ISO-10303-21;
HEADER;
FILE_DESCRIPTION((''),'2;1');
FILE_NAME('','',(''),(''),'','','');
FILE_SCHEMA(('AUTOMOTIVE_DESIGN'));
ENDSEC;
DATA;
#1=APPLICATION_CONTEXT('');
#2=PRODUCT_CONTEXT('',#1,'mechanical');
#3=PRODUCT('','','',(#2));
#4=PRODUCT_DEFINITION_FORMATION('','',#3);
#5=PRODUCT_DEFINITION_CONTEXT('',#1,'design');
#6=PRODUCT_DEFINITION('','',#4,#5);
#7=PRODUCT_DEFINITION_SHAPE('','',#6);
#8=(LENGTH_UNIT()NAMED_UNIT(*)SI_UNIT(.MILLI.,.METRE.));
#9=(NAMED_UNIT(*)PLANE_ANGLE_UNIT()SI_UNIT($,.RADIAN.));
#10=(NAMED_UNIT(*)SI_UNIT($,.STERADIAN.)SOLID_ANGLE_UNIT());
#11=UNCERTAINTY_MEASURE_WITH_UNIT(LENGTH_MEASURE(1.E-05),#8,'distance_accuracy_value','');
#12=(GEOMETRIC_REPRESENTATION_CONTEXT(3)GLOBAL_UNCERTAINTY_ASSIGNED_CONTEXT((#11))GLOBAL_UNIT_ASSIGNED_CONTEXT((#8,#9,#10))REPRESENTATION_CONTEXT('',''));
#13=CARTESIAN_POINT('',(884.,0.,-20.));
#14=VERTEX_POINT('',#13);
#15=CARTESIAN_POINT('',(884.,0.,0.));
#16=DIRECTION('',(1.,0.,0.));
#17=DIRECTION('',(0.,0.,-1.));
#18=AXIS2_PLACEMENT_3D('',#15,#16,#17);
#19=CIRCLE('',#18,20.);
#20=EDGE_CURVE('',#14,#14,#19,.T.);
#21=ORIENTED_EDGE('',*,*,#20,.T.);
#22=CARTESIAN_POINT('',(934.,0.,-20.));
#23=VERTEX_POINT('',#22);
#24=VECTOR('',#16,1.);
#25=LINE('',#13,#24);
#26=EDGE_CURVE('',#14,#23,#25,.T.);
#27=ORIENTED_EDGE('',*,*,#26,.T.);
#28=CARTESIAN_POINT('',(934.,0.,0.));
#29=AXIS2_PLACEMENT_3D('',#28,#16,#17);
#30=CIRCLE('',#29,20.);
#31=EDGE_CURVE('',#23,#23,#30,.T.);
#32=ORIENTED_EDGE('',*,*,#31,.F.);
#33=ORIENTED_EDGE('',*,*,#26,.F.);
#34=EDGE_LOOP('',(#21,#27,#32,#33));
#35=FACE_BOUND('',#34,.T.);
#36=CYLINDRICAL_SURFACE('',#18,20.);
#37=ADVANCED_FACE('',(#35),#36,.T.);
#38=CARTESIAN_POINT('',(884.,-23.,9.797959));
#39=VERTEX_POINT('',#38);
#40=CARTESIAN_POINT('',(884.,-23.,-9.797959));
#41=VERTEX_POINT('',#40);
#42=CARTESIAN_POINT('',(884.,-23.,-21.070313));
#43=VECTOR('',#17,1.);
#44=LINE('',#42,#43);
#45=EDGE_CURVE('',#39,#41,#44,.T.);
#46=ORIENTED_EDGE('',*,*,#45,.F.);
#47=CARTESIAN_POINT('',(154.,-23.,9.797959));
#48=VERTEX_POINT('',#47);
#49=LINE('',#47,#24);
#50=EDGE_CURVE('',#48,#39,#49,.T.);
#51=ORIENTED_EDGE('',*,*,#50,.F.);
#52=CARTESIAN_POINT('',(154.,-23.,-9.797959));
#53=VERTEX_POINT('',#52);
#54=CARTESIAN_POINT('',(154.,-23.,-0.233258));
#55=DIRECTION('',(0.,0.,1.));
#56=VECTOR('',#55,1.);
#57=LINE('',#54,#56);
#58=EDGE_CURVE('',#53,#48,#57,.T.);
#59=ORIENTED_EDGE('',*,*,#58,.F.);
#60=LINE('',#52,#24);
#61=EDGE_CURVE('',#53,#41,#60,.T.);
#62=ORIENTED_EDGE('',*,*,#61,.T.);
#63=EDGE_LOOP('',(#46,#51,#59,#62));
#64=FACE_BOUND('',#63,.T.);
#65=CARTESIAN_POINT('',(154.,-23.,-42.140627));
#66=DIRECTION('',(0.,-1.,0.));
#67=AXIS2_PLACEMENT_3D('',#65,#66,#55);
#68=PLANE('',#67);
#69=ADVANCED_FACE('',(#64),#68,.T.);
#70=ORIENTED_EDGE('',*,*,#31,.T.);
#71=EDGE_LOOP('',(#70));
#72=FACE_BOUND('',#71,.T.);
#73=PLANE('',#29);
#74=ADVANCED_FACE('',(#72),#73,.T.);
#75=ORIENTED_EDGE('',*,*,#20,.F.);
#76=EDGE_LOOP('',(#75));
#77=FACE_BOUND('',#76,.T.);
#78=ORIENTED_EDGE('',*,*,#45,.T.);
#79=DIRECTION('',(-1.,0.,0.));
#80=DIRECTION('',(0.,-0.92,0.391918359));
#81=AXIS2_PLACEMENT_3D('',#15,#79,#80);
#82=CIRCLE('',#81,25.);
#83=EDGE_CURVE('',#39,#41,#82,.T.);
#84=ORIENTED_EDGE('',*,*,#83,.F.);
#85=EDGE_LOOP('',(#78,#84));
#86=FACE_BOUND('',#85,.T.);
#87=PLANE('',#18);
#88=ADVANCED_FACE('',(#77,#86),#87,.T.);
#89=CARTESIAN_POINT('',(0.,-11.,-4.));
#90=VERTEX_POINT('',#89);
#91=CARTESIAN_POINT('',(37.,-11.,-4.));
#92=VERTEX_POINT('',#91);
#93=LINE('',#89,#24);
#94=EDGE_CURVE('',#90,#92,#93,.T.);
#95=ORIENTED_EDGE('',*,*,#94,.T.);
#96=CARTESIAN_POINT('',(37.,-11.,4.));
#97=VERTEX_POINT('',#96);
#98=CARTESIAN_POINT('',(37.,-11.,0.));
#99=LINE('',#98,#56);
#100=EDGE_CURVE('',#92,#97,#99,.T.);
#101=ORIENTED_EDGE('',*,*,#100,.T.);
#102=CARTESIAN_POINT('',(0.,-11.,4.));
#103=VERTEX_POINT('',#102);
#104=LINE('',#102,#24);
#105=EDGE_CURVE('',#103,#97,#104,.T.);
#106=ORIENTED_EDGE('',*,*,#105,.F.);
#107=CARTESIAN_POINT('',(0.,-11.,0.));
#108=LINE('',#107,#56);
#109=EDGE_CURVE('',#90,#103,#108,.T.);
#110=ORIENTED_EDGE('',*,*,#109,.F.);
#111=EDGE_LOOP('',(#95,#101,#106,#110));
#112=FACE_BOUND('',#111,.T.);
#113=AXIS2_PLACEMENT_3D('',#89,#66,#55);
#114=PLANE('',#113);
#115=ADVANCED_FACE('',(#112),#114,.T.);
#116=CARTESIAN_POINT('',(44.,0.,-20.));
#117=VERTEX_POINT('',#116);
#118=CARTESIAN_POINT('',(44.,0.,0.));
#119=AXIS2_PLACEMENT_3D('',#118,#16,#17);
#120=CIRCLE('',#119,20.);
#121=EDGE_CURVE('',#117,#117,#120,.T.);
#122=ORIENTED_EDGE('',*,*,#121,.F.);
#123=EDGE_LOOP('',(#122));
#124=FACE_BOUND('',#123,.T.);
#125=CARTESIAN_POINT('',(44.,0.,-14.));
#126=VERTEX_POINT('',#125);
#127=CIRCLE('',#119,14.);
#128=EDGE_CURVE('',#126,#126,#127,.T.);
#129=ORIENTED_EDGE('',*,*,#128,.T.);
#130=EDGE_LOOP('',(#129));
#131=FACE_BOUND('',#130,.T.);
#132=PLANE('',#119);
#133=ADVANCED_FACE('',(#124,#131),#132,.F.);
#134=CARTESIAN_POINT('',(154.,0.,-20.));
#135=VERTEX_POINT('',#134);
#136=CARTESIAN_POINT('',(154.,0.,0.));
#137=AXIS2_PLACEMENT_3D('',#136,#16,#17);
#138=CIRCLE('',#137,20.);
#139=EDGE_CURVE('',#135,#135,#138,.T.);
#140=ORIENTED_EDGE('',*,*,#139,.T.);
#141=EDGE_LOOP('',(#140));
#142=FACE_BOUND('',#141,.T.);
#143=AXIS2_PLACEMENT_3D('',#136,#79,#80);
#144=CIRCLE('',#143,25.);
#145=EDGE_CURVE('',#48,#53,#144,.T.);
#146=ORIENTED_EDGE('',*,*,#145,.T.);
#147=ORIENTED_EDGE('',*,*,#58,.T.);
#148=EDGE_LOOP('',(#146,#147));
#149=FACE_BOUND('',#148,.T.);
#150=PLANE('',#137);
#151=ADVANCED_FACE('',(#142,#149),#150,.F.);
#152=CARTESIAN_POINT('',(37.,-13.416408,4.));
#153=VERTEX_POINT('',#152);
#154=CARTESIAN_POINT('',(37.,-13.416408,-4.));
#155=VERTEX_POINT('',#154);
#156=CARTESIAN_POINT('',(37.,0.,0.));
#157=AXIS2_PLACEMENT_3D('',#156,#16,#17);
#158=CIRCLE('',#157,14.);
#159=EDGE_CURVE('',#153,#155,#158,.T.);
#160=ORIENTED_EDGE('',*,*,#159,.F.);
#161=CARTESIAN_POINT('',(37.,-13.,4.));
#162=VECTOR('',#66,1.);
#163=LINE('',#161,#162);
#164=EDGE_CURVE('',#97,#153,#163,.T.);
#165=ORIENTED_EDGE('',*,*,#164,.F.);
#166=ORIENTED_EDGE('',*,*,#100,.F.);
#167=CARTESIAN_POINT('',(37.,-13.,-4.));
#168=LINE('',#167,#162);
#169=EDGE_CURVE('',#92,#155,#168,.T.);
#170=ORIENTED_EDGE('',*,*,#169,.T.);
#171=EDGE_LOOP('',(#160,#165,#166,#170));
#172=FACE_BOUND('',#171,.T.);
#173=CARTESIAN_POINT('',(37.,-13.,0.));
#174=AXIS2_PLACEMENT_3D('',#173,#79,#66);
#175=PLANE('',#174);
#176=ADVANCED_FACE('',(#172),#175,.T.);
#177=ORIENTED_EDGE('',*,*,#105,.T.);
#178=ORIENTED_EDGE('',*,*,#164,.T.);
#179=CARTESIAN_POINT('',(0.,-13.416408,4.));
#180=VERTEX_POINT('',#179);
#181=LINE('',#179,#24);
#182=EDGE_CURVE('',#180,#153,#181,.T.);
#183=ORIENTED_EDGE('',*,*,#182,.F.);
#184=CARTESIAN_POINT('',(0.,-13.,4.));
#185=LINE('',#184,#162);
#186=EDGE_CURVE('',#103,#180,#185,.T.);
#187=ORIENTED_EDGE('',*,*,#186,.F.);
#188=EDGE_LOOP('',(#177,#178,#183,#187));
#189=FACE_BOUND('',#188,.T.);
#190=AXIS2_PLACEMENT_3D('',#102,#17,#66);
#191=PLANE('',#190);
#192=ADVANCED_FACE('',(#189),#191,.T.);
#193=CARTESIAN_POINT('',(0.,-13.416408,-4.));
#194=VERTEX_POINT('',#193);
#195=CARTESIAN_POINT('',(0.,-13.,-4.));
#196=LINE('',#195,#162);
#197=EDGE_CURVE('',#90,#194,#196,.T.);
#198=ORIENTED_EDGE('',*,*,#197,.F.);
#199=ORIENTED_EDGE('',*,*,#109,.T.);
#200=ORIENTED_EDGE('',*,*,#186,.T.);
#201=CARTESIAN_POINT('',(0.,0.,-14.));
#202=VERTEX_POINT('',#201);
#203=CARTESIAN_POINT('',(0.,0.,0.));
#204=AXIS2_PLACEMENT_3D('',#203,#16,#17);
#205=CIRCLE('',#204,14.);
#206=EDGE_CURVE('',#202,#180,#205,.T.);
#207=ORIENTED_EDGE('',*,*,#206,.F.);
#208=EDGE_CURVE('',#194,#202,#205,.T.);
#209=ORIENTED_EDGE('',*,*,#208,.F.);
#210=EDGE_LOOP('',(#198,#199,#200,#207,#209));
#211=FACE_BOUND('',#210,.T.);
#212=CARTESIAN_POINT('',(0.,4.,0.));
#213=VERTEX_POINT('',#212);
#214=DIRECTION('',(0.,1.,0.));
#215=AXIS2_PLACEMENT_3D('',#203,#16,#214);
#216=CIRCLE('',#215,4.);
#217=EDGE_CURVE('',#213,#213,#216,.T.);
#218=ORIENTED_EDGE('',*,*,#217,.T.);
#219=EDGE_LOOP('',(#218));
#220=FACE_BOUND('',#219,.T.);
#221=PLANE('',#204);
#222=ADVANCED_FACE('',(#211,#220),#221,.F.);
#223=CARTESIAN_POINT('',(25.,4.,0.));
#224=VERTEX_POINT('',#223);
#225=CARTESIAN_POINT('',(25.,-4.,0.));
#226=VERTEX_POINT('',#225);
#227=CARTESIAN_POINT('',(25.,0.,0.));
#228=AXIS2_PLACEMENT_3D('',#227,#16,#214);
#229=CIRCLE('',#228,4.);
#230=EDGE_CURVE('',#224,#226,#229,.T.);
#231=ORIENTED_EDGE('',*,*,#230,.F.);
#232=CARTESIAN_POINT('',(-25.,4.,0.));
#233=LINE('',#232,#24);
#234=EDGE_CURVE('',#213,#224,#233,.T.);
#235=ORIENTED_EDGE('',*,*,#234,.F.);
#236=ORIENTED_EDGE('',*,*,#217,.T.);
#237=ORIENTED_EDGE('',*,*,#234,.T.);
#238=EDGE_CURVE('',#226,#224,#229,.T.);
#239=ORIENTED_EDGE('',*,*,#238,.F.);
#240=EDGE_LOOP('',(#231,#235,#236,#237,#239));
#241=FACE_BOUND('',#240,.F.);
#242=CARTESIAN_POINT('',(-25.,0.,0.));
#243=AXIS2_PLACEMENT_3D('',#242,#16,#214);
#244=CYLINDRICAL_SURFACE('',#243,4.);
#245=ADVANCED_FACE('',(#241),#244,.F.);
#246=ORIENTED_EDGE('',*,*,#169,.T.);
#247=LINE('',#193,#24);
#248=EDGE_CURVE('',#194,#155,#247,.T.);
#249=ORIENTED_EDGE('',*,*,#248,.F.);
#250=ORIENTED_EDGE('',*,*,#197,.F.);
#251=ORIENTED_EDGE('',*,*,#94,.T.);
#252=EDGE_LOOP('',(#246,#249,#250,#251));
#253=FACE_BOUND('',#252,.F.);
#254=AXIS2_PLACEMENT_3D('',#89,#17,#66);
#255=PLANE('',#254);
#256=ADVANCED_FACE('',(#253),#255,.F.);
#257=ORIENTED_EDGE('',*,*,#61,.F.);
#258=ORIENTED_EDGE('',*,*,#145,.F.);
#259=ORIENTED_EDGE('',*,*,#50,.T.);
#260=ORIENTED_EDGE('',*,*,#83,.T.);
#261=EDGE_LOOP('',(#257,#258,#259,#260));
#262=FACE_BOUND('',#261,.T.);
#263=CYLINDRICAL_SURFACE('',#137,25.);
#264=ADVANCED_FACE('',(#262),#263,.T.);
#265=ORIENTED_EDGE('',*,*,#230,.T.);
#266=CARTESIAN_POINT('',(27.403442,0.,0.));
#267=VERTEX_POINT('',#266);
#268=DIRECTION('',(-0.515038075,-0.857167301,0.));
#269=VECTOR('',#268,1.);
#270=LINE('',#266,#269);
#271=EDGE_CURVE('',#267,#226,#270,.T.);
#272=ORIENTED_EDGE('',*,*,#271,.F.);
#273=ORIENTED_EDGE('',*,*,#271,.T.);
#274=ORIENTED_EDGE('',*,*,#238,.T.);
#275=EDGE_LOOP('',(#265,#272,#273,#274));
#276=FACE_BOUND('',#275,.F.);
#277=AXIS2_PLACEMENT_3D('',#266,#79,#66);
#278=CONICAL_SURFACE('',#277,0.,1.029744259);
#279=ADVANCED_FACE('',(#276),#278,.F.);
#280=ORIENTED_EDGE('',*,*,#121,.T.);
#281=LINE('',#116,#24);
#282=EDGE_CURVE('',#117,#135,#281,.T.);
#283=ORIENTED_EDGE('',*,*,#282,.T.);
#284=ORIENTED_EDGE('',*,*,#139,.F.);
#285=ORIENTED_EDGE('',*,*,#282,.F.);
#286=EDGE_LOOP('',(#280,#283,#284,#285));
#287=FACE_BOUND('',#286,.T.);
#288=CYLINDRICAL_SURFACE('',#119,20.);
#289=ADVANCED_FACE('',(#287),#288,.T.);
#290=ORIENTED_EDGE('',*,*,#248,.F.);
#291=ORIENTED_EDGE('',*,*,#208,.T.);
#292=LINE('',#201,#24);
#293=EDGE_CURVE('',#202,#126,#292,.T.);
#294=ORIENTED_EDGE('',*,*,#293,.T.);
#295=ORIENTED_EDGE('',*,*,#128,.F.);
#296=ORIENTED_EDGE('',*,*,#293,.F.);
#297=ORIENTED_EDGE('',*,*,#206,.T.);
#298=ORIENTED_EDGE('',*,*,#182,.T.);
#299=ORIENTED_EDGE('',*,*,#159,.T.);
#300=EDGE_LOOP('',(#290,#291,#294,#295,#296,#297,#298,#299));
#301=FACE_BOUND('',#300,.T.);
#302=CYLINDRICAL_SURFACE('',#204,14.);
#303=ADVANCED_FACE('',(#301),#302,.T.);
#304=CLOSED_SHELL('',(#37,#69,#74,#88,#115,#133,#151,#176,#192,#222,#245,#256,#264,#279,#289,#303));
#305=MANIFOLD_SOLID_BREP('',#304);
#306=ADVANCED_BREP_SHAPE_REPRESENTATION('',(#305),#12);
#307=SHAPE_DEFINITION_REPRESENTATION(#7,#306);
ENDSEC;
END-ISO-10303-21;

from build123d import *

# Parameters (mm, degrees)
F2_W     = 4
F2_H     = 8
F3_DEPTH = 37
F4_W     = 21.7020311332
F4_H     = 83.8147368835
F5_DEPTH = 752
F6_D     = 8
F6_DEPTH = 25
F6_TIP   = 2.4034424761


with BuildPart() as f1:
    # F0 (on Front) → F1 (revolve)
    with BuildSketch(Plane.XZ):
        Polygon((934, 0), (0, 0), (0, -14), (44, -14), (44, -20), (154, -20), (154, -25), (884, -25), (884, -20), (934, -20), align=None)
    revolve(axis=Axis((467, 0, 0), (1, 0, 0)))

    # F2 (on face) → F3 (cut)
    with BuildSketch(Plane(origin=(0, 0, 0), x_dir=(0, -1, 0), z_dir=(-1, 0, 0))):
        with Locations((13, 0)):
            Rectangle(F2_W, F2_H)
    extrude(amount=-F3_DEPTH, mode=Mode.SUBTRACT)

    # F4 (on face) → F5 (cut)
    with BuildSketch(Plane(origin=(154, 0, 0), x_dir=(0, -1, 0), z_dir=(-1, 0, 0))):
        with Locations((33.8510155666, -0.2332581207)):
            Rectangle(F4_W, F4_H)
    extrude(amount=-F5_DEPTH, mode=Mode.SUBTRACT)

    # F6
    with Locations(Plane(origin=(0, 0, 0), x_dir=(0, -1, 0), z_dir=(-1, 0, 0))):
        with Locations((0, 0)):
            Hole(F6_D / 2, depth=F6_DEPTH)
            with Locations((0, 0, -(F6_DEPTH + F6_TIP / 2))):  # 118° drill point
                Cone(0, F6_D / 2, F6_TIP, mode=Mode.SUBTRACT)


solid = f1.part
